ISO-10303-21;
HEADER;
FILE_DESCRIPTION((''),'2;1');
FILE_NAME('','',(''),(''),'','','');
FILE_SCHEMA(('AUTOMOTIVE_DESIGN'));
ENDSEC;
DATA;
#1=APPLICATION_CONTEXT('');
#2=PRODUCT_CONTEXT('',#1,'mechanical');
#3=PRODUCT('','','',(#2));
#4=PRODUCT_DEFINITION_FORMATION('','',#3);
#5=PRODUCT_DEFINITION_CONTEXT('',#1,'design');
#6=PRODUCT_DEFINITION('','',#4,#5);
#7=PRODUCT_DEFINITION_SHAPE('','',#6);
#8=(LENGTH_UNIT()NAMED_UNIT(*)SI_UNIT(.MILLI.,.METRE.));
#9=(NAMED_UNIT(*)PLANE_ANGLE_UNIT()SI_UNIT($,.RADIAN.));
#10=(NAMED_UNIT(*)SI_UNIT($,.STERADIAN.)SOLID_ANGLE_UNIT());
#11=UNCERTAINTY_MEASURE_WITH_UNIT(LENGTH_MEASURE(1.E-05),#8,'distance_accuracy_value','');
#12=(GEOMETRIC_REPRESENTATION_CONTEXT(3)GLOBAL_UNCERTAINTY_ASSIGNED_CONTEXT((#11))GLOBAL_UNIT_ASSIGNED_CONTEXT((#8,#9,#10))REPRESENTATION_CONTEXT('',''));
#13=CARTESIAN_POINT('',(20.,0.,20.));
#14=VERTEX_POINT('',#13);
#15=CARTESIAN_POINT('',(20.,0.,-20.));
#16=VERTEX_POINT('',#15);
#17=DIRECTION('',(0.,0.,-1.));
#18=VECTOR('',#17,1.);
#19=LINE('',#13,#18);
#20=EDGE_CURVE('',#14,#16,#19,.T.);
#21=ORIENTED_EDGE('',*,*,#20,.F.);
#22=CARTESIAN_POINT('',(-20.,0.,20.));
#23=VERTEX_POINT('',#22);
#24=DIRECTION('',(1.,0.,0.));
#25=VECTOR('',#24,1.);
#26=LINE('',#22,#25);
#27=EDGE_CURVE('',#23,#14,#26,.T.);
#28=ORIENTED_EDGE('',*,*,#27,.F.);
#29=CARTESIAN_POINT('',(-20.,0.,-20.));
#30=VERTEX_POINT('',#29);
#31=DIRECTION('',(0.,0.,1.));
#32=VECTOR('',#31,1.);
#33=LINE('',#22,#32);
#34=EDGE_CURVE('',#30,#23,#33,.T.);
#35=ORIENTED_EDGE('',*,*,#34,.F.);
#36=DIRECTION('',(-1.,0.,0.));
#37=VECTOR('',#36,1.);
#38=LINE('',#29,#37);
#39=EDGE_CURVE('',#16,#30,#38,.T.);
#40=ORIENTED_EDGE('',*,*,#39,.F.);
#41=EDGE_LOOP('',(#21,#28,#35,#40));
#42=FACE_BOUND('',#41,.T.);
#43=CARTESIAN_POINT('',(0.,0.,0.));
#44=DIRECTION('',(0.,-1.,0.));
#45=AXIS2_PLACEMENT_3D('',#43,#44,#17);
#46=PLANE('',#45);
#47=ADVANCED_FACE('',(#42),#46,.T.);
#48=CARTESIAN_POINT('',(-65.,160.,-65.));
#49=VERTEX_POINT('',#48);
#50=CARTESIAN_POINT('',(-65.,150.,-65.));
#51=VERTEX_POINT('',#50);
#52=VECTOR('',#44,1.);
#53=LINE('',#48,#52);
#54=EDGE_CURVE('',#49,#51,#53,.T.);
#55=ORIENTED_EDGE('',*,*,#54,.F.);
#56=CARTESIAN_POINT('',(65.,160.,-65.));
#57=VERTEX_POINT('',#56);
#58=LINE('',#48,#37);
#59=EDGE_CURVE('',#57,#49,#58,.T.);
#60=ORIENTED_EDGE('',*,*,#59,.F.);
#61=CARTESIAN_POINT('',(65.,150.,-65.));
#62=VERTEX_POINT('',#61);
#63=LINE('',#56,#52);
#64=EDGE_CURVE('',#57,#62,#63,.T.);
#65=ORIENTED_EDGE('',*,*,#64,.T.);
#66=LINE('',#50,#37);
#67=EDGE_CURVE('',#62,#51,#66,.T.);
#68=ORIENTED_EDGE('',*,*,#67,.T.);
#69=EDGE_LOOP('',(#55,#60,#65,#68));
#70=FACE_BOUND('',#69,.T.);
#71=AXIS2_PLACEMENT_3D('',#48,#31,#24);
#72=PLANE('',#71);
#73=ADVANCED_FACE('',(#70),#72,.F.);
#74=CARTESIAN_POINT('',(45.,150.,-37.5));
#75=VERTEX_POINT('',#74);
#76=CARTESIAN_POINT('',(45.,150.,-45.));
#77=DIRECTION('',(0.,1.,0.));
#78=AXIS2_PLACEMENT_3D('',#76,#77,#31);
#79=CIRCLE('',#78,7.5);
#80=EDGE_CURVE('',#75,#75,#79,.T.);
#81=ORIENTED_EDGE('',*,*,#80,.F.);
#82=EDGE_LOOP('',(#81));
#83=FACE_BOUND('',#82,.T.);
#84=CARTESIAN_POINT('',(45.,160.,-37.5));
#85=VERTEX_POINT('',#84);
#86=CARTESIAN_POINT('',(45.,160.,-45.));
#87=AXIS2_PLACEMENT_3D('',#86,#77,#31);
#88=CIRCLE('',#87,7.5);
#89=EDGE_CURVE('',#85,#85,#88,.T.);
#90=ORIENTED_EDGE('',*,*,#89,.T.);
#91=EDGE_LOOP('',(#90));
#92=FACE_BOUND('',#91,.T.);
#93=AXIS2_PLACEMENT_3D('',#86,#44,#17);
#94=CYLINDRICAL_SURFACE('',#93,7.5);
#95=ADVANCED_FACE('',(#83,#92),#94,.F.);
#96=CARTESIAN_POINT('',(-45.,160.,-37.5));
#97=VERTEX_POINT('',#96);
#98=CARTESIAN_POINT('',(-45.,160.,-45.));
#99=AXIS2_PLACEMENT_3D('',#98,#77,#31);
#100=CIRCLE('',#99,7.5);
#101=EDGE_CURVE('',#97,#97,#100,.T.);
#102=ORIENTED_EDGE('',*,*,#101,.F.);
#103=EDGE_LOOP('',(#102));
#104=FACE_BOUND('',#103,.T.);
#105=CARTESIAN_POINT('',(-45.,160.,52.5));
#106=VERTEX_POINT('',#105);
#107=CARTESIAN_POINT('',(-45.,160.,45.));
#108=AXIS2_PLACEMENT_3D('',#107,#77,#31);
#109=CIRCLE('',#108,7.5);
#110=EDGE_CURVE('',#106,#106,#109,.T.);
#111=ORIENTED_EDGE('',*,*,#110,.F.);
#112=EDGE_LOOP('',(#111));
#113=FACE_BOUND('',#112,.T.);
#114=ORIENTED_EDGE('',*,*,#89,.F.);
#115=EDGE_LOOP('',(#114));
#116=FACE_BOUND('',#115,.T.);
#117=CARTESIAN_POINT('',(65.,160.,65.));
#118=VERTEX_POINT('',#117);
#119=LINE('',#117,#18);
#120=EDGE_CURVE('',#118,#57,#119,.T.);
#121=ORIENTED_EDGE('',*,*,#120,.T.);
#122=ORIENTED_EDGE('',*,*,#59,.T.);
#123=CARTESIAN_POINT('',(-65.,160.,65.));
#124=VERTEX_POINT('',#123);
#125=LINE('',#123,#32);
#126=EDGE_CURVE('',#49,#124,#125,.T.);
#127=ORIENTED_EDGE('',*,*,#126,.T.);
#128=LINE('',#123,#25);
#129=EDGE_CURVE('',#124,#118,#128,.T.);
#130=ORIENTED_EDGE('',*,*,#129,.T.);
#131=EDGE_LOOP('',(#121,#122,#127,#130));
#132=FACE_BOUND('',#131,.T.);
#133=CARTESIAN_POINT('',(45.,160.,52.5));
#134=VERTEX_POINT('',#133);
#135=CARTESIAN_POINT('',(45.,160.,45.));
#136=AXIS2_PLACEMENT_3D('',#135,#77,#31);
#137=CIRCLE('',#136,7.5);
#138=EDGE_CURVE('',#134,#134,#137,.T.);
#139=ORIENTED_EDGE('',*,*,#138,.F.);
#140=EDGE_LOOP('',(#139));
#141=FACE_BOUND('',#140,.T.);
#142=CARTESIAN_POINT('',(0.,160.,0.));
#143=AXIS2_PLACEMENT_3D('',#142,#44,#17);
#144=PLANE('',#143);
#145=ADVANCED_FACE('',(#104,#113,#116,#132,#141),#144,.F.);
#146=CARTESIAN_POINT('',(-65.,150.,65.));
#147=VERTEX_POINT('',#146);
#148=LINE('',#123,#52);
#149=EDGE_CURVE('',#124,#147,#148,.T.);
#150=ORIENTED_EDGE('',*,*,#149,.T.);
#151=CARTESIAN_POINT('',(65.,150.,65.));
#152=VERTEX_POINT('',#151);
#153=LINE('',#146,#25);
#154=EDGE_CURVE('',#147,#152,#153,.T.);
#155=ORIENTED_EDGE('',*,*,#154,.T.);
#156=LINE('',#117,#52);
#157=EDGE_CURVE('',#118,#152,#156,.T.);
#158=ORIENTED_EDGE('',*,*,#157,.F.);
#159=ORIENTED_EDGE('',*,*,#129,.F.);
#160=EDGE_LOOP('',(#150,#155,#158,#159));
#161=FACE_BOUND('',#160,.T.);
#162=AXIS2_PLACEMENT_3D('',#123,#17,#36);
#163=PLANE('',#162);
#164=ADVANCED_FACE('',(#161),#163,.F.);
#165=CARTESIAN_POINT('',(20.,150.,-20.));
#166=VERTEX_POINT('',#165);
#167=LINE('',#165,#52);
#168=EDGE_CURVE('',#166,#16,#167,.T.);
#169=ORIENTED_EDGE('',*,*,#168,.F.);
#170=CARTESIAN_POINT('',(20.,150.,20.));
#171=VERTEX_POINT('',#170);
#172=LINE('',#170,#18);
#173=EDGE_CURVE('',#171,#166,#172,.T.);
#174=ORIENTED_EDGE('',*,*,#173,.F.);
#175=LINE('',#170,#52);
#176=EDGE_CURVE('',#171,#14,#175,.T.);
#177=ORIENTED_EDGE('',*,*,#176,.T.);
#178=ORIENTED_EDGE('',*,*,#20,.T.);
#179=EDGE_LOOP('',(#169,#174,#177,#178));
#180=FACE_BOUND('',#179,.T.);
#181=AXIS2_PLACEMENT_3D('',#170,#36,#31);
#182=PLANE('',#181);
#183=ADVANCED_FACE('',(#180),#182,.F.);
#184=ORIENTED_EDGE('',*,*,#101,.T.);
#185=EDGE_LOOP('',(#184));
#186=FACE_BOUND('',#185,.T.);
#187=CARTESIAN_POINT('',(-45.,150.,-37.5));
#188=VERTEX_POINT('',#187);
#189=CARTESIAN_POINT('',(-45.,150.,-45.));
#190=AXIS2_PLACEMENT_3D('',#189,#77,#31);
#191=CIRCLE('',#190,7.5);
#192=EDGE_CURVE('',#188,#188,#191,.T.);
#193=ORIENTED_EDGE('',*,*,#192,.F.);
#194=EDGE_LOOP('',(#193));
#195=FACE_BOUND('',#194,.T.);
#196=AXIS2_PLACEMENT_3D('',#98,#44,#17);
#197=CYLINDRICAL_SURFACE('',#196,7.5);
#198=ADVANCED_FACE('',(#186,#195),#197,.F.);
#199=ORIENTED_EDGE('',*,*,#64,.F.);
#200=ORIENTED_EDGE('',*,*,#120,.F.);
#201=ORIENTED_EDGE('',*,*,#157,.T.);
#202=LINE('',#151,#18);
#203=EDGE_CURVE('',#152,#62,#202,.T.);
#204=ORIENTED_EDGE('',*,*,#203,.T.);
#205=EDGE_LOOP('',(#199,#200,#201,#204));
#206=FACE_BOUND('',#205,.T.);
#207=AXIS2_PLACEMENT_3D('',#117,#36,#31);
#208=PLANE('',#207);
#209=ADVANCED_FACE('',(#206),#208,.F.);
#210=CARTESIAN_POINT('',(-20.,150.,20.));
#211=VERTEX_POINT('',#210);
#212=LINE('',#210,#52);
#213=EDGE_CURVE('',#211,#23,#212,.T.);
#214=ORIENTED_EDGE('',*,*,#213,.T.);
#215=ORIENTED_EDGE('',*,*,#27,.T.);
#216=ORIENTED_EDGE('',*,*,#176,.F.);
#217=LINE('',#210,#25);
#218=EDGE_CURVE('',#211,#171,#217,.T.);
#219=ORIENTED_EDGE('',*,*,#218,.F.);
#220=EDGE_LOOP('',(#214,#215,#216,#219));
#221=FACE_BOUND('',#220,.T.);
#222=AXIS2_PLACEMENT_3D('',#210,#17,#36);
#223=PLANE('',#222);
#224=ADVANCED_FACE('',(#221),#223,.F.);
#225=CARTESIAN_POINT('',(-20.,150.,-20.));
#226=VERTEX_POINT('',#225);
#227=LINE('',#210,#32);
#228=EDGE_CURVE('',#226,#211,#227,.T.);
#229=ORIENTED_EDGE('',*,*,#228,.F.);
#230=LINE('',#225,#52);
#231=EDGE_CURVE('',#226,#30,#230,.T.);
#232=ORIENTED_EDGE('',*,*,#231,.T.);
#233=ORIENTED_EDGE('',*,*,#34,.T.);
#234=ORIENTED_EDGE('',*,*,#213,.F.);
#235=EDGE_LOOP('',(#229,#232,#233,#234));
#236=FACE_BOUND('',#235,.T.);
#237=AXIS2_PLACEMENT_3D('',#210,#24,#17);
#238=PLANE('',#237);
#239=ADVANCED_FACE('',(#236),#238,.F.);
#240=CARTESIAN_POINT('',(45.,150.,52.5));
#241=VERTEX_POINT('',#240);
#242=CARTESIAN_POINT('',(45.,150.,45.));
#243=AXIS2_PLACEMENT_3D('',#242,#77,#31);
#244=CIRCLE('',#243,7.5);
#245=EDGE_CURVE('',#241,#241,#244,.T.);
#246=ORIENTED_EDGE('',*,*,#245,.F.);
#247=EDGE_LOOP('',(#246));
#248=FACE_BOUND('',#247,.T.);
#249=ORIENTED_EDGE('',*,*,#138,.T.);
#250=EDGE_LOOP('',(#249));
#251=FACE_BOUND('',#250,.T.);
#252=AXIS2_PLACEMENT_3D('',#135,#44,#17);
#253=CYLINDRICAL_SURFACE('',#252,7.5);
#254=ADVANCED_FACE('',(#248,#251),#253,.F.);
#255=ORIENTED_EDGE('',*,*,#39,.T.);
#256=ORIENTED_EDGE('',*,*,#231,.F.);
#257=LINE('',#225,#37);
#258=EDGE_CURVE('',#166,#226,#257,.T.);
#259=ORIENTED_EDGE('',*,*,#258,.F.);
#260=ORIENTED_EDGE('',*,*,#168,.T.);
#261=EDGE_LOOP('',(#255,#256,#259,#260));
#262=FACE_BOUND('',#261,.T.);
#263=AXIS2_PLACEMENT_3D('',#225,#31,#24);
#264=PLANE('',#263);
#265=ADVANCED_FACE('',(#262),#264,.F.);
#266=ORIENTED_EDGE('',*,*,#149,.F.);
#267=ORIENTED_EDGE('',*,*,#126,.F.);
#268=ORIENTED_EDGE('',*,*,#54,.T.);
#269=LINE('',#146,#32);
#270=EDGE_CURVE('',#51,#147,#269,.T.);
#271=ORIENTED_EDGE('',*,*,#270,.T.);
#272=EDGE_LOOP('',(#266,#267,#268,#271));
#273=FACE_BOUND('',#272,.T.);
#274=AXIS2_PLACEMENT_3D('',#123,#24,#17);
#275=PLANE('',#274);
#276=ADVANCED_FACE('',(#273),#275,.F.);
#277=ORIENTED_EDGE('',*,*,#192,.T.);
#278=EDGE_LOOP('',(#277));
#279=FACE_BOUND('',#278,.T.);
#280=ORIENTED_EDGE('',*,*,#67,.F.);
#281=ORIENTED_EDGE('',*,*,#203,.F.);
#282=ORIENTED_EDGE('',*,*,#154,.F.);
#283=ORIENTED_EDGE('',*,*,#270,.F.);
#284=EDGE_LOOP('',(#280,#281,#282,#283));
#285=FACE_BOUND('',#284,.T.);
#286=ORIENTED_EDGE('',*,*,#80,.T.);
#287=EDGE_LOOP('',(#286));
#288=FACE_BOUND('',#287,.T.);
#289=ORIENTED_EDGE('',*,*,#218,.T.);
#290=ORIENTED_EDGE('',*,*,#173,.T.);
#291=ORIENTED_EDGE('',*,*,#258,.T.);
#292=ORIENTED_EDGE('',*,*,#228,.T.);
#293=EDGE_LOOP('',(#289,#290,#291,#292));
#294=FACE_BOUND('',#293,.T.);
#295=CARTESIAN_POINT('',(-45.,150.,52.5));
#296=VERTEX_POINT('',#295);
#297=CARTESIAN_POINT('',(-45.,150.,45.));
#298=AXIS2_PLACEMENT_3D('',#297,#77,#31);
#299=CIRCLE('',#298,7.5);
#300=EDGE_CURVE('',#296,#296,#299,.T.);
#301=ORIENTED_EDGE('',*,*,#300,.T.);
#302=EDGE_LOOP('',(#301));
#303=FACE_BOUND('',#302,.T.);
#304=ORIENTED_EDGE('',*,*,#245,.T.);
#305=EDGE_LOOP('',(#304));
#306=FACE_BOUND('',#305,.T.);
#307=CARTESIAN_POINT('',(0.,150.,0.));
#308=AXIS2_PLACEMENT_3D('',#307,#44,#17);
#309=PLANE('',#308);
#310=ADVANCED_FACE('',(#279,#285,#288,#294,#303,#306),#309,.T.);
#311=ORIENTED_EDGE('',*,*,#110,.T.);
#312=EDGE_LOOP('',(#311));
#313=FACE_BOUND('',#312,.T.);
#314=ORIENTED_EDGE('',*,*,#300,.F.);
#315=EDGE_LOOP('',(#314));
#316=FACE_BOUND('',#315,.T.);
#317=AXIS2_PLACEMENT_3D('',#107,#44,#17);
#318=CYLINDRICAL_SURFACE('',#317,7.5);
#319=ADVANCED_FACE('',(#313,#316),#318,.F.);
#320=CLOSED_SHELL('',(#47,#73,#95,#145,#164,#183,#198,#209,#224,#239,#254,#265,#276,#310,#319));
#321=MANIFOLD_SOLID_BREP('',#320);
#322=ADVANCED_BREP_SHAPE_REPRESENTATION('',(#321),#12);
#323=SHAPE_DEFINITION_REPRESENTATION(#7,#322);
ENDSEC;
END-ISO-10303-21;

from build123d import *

# Parameters (mm, degrees)
SKETCH1_W           = 40
SKETCH1_H           = 40
BOSS_EXTRUDE1_DEPTH = 150
SKETCH2_W           = 130
SKETCH2_H           = 130
SKETCH2_R           = 7.5
BOSS_EXTRUDE2_DEPTH = 10


with BuildPart() as part:
    # Sketch1 → Boss-Extrude1 (new body)
    with BuildSketch(Plane(origin=(0, 0, 0), x_dir=(1, 0, 0), z_dir=(0, 1, 0))):
        Rectangle(SKETCH1_W, SKETCH1_H)
    extrude(amount=BOSS_EXTRUDE1_DEPTH)

    # Sketch2 → Boss-Extrude2 (add)
    with BuildSketch(Plane(origin=(0, 150, 0), x_dir=(1, 0, 0), z_dir=(0, 1, 0))):
        Rectangle(SKETCH2_W, SKETCH2_H)
        with Locations(Location((-45, -45, 0), (0, 0, 270))):
            Circle(SKETCH2_R, mode=Mode.SUBTRACT)
        with Locations(Location((45, -45, 0), (0, 0, 270))):
            Circle(SKETCH2_R, mode=Mode.SUBTRACT)
        with Locations(Location((45, 45, 0), (0, 0, 270))):
            Circle(SKETCH2_R, mode=Mode.SUBTRACT)
        with Locations(Location((-45, 45, 0), (0, 0, 270))):
            Circle(SKETCH2_R, mode=Mode.SUBTRACT)
    extrude(amount=BOSS_EXTRUDE2_DEPTH)


solid = part.part
